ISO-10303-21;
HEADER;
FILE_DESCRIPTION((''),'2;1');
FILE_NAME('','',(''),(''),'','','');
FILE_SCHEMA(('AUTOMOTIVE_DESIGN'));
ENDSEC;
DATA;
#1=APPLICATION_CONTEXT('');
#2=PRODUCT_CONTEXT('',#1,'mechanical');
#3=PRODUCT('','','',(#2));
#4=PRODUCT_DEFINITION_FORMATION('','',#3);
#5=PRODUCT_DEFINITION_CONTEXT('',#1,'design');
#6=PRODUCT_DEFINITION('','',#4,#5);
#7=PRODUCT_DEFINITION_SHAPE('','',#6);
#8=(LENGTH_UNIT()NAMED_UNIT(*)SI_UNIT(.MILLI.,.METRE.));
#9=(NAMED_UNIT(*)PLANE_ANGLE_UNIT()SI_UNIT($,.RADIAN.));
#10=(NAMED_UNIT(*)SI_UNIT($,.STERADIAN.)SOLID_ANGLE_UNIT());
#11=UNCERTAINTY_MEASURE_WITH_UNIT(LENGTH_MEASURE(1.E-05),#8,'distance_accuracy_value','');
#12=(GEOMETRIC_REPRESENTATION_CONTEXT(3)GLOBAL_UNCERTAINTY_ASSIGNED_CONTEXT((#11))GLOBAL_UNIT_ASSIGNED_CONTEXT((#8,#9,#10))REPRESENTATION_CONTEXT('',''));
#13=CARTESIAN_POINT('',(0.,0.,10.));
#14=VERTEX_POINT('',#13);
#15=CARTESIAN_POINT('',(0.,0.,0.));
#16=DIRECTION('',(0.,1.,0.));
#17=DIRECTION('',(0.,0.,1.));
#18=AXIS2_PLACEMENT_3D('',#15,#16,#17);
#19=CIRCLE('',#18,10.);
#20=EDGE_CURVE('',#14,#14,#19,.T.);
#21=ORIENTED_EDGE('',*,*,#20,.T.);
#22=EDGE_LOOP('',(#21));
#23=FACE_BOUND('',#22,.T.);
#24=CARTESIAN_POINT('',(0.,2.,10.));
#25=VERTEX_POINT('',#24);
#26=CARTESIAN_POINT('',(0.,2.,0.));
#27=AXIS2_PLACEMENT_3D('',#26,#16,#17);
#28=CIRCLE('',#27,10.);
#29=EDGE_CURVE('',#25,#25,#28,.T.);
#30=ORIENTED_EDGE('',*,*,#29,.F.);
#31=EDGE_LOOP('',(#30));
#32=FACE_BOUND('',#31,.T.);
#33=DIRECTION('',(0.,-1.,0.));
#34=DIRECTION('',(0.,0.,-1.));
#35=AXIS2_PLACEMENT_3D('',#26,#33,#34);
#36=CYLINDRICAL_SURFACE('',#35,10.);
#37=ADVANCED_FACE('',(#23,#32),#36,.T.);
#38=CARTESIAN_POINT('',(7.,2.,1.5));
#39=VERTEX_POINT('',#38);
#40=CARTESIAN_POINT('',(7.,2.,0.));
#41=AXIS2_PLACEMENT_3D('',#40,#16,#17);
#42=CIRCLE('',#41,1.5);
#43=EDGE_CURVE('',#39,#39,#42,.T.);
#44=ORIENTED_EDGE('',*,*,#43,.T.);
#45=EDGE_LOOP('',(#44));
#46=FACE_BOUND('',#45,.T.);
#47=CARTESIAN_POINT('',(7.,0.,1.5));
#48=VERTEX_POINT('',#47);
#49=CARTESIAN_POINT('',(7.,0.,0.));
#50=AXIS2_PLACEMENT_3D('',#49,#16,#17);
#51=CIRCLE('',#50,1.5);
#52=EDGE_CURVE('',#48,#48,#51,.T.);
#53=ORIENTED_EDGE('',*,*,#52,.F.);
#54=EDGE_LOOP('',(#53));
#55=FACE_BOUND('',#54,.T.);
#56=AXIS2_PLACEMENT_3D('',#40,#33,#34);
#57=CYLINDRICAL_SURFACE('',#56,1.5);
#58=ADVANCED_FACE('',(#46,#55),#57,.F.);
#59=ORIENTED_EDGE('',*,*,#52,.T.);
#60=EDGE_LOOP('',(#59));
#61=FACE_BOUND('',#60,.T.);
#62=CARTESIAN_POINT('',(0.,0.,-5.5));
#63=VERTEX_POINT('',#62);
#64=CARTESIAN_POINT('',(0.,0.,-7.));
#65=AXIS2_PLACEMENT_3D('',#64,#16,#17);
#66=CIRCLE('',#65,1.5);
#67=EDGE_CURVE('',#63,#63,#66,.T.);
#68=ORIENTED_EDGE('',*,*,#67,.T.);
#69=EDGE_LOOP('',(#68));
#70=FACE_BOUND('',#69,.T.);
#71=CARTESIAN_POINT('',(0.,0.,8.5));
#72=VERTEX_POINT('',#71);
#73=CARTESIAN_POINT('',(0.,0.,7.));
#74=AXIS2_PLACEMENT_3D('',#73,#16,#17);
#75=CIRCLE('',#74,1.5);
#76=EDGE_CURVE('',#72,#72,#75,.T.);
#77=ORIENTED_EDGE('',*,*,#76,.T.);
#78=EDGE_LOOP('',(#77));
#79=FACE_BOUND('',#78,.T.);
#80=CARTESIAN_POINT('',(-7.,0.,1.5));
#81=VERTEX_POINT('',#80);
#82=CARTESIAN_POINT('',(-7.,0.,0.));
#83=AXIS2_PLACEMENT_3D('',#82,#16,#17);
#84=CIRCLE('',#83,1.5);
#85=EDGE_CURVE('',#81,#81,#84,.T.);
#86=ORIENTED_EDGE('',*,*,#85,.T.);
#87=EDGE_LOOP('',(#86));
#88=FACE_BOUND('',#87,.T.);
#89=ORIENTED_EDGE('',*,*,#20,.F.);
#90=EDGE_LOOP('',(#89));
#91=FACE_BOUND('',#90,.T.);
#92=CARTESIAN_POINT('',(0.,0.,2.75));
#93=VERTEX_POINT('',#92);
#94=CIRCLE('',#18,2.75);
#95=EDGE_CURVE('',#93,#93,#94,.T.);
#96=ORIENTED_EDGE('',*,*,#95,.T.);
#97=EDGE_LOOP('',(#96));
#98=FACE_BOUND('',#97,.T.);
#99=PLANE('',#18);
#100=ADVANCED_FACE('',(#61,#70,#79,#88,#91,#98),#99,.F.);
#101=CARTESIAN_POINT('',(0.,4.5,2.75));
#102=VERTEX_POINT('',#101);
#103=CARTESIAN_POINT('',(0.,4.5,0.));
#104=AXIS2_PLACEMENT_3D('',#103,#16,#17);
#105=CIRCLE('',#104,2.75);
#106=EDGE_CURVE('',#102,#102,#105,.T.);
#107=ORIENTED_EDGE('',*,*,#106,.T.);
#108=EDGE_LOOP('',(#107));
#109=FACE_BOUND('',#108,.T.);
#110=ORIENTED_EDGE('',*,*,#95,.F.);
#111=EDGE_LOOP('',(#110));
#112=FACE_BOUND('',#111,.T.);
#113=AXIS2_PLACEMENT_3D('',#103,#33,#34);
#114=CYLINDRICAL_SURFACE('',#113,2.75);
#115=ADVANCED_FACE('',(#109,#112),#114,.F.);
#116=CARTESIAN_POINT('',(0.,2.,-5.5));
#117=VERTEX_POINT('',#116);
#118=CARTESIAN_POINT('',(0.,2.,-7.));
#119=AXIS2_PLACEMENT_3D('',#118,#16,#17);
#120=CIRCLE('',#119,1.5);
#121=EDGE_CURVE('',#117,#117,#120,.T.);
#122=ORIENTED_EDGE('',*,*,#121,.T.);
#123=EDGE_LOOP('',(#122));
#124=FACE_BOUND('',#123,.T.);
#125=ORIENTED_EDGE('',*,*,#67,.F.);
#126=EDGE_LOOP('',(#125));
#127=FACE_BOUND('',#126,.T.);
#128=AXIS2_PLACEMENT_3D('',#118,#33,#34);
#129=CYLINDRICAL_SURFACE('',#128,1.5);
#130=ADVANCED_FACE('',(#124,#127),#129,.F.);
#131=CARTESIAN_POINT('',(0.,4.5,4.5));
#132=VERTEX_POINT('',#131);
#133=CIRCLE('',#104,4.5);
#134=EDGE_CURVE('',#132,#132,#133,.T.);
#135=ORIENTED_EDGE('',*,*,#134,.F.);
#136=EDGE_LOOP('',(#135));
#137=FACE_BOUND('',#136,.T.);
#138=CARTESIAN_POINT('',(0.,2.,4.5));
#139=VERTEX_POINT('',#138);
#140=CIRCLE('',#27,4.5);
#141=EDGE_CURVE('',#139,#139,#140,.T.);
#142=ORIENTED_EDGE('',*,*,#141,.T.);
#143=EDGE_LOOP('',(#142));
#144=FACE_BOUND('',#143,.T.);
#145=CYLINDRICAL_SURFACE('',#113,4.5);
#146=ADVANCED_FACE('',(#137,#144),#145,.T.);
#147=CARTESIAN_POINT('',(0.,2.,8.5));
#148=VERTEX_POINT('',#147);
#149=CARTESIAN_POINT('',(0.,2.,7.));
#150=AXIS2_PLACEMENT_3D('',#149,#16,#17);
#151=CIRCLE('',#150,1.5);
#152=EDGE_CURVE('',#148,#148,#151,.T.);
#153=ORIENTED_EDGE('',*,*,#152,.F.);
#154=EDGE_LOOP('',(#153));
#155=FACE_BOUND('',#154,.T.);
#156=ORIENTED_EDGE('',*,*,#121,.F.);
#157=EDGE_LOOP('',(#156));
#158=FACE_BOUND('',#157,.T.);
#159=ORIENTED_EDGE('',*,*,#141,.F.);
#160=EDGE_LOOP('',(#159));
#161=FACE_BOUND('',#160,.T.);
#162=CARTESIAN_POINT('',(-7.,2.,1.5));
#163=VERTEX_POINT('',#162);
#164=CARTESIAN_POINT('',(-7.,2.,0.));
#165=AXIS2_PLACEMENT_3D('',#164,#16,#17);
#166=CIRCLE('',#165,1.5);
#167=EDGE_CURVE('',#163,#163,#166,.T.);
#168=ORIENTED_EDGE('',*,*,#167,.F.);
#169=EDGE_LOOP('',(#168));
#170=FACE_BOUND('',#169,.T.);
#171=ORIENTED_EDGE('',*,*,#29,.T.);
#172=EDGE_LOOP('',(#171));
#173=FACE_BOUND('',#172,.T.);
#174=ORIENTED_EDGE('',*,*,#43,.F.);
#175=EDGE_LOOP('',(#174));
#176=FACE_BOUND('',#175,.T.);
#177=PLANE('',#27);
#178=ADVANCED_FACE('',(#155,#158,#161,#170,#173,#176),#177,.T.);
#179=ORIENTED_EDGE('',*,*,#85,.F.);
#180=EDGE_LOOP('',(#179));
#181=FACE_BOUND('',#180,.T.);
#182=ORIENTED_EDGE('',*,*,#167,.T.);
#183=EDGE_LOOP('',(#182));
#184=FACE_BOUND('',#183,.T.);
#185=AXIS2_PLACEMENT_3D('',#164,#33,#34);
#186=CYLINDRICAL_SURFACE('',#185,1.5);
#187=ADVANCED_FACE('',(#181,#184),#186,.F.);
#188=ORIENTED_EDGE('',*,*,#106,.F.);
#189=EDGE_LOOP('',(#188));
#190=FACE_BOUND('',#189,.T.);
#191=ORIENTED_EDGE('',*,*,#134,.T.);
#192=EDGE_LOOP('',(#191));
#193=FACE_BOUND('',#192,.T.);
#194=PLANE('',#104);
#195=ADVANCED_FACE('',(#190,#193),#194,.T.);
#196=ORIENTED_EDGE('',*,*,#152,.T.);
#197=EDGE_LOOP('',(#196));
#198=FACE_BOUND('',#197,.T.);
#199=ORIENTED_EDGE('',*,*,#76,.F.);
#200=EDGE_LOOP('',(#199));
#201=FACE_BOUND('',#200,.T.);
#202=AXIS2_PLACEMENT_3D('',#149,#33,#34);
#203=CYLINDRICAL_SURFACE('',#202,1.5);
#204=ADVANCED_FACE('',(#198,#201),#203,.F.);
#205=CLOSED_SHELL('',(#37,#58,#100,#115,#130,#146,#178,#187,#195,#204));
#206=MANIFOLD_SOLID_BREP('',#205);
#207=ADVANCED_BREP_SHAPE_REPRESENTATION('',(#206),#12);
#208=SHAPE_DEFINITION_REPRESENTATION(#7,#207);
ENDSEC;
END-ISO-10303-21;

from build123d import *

# Parameters (mm, degrees)
SKETCH_1_R          = 10
SKETCH_1_R_2        = 1.5
EXTRUDE_1_DEPTH     = 2
SKETCH_2_R          = 4.5
SKETCH_2_R_2        = 2.75
EXTRUDE_2_DEPTH     = 2.5
SKETCH_3_R          = 2.75
CUT_EXTRUDE_1_DEPTH = 15.361406616


with BuildPart() as part:
    # 草图1 → 凸台-拉伸1 (new body)
    with BuildSketch(Plane(origin=(0, 0, 0), x_dir=(1, 0, 0), z_dir=(0, 1, 0))):
        with Locations(Location((0, 0, 0), (0, 0, 270))):
            Circle(SKETCH_1_R)
        with Locations(Location((0, 7, 0), (0, 0, 270))):
            Circle(SKETCH_1_R_2, mode=Mode.SUBTRACT)
        with Locations(Location((-7, 0, 0), (0, 0, 270))):
            Circle(SKETCH_1_R_2, mode=Mode.SUBTRACT)
        with Locations(Location((0, -7, 0), (0, 0, 270))):
            Circle(SKETCH_1_R_2, mode=Mode.SUBTRACT)
        with Locations(Location((7, 0, 0), (0, 0, 270))):
            Circle(SKETCH_1_R_2, mode=Mode.SUBTRACT)
    extrude(amount=EXTRUDE_1_DEPTH)

    # 草图2 → 凸台-拉伸2 (add)
    with BuildSketch(Plane(origin=(0, 2, 0), x_dir=(1, 0, 0), z_dir=(0, 1, 0))):
        with Locations(Location((0, 0, 0), (0, 0, 270))):
            Circle(SKETCH_2_R)
        with Locations(Location((0, 0, 0), (0, 0, 270))):
            Circle(SKETCH_2_R_2, mode=Mode.SUBTRACT)
    extrude(amount=EXTRUDE_2_DEPTH)

    # 草图3 → 切除-拉伸1 (cut, through all)
    with BuildSketch(Plane(origin=(0, 2, 0), x_dir=(1, 0, 0), z_dir=(0, 1, 0))):
        with Locations(Location((0, 0, 0), (0, 0, 270))):
            Circle(SKETCH_3_R)
    extrude(amount=-CUT_EXTRUDE_1_DEPTH, mode=Mode.SUBTRACT)


solid = part.part
